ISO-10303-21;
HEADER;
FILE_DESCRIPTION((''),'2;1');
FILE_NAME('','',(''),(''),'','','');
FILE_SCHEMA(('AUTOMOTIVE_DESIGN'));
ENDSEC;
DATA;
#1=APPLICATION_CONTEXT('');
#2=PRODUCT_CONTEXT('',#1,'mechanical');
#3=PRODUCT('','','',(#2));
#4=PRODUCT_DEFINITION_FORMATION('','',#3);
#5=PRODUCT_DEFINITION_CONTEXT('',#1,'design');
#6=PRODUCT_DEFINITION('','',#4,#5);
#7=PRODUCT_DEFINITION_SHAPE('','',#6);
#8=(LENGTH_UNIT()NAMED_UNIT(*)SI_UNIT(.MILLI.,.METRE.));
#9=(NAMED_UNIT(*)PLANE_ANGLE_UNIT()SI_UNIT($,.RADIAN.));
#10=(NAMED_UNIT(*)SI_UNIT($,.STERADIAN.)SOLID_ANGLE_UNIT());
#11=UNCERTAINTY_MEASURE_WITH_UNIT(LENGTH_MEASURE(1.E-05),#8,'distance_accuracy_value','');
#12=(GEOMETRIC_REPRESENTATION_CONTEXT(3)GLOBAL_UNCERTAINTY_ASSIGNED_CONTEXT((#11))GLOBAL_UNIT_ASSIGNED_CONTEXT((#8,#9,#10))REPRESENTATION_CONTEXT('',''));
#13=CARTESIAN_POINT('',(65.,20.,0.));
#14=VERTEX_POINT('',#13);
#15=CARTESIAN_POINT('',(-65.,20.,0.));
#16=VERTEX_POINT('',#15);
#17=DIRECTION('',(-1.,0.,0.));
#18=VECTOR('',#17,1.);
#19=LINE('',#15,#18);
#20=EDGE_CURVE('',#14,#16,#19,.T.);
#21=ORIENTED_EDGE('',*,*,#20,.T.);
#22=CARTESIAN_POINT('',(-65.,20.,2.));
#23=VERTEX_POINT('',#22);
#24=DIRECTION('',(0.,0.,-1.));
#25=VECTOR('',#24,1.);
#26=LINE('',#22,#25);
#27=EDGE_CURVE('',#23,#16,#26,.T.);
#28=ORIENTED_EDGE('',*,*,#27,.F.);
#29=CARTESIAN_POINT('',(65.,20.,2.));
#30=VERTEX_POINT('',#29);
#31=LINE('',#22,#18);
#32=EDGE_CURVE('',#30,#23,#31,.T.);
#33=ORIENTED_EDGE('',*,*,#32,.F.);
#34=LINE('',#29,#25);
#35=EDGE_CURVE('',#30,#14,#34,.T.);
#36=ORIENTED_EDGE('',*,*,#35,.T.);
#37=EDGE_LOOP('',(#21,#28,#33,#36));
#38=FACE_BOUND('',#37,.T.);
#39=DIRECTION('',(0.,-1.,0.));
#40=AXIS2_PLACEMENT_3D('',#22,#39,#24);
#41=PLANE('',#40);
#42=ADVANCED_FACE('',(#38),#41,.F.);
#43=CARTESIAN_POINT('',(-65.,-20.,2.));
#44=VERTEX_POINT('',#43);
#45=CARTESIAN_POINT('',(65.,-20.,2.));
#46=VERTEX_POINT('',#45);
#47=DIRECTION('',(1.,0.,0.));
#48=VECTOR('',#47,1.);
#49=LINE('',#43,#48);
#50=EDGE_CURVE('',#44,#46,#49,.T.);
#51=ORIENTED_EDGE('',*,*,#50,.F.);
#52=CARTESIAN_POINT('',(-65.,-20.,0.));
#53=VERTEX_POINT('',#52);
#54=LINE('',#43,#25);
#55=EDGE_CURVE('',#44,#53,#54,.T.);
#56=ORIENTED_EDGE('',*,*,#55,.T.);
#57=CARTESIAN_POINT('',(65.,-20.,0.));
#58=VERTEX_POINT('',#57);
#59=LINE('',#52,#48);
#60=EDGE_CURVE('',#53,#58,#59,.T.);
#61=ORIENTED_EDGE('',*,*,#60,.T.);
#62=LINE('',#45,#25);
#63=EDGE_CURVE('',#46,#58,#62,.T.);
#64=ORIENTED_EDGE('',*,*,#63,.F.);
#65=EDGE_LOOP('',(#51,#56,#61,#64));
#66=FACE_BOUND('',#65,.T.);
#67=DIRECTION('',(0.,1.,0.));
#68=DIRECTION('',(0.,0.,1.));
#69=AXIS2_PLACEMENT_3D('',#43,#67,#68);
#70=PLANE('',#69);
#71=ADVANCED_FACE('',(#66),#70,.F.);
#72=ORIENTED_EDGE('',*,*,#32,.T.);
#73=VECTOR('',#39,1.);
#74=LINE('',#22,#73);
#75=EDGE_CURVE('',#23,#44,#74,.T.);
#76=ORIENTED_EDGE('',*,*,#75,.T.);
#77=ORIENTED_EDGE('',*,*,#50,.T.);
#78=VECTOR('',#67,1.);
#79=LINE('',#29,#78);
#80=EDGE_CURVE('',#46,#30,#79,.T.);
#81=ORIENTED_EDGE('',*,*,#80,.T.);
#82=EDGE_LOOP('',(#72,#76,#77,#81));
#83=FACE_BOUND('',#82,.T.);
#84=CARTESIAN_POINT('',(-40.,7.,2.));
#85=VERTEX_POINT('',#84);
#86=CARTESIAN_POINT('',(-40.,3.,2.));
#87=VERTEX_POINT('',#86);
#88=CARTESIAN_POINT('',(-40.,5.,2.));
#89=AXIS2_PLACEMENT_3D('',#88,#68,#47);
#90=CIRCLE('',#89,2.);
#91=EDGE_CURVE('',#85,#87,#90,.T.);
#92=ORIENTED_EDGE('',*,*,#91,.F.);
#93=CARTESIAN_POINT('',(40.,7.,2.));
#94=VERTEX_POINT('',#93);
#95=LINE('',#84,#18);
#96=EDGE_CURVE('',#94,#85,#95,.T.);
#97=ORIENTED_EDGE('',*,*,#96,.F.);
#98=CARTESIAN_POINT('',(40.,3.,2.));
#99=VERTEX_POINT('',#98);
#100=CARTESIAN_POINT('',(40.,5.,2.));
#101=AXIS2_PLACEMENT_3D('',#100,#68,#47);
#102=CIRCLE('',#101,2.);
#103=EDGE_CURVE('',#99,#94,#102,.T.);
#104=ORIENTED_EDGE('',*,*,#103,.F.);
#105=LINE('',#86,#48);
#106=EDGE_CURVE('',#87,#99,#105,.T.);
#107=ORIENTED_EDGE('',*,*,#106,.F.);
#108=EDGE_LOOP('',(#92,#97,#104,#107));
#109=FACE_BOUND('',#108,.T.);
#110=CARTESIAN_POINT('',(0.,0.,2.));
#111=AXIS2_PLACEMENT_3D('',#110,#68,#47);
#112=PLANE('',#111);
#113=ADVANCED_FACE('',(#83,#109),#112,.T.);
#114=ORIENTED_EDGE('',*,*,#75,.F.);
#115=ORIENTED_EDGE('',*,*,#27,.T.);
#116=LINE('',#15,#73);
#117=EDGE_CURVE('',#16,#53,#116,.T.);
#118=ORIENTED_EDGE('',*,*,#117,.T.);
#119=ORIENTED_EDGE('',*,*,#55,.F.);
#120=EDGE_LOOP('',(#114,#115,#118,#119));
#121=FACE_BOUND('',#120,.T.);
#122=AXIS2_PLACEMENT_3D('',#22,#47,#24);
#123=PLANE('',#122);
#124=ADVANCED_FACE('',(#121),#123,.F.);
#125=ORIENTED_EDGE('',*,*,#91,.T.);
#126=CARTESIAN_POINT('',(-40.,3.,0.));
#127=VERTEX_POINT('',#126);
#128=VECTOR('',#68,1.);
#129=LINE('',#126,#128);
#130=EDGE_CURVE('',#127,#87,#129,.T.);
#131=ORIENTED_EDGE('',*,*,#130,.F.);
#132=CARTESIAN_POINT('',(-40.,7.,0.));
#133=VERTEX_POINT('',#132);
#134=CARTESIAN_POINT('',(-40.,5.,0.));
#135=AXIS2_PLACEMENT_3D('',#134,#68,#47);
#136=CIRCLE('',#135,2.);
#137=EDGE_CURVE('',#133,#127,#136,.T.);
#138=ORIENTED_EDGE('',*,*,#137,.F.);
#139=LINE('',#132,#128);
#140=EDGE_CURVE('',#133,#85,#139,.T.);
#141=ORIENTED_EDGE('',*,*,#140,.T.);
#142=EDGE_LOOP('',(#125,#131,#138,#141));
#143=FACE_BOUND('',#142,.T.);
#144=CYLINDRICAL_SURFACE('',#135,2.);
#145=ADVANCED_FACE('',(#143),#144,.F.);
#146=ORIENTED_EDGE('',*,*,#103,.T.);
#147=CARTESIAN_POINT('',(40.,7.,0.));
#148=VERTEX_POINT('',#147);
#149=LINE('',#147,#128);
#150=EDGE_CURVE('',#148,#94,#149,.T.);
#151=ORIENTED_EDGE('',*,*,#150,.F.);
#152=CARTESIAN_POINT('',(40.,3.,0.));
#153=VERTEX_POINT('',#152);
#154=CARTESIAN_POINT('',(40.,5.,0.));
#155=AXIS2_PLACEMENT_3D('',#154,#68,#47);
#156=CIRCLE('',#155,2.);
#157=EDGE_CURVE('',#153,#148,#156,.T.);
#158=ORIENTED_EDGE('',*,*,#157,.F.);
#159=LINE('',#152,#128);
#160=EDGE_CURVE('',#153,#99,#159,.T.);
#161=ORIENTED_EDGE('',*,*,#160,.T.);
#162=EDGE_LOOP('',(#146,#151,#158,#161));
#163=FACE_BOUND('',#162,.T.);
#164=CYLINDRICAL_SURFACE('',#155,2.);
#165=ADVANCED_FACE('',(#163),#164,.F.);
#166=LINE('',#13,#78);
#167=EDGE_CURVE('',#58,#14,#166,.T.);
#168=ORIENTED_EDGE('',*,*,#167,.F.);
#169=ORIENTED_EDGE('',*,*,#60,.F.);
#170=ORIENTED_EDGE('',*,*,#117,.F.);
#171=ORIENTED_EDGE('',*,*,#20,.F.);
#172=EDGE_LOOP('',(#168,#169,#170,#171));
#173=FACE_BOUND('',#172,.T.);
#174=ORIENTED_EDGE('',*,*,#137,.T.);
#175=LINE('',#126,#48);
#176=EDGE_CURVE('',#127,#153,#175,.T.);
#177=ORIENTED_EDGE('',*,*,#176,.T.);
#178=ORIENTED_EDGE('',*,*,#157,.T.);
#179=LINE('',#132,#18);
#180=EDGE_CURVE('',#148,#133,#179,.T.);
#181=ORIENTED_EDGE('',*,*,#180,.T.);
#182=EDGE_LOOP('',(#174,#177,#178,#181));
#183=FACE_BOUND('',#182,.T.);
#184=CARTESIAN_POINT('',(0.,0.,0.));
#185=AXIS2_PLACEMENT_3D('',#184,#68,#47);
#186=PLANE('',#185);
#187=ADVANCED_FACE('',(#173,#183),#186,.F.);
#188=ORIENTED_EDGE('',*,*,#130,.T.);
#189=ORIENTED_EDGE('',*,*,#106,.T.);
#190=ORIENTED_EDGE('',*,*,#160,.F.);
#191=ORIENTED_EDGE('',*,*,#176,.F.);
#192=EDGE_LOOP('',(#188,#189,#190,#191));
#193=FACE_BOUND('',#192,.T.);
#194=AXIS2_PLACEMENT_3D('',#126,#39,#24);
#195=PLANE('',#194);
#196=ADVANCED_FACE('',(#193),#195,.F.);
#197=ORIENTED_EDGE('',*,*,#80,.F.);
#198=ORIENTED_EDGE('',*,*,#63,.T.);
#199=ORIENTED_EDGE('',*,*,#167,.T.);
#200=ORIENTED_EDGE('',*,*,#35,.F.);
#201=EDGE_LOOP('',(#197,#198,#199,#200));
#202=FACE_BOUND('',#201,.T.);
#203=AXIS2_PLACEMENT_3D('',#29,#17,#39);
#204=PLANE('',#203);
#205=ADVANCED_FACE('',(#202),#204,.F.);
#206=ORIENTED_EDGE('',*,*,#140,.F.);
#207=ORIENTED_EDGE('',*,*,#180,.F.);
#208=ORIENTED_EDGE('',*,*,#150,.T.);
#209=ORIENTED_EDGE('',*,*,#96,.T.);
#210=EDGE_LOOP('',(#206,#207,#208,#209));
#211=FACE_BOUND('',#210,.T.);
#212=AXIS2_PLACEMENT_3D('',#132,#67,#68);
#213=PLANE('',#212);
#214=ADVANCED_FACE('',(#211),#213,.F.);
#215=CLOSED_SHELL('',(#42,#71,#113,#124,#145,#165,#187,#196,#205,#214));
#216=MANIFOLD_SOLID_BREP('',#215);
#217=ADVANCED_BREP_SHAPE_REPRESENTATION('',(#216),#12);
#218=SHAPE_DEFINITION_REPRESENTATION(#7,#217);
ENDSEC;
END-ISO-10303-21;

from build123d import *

# Parameters (mm, degrees)
SKETCH1_W           = 130
SKETCH1_H           = 40
BOSS_EXTRUDE1_DEPTH = 2
CUT_EXTRUDE1_DEPTH  = 69.036754773


with BuildPart() as part:
    # Sketch1 → Boss-Extrude1 (new body)
    with BuildSketch(Plane.XY):
        Rectangle(SKETCH1_W, SKETCH1_H)
    extrude(amount=BOSS_EXTRUDE1_DEPTH)

    # Sketch2 → Cut-Extrude1 (cut, through all)
    with BuildSketch(Plane.XY.offset(2)):
        with BuildLine():
            Line((-40, 7), (40, 7))
            ThreePointArc((40, 7), (42, 5), (40, 3))
            Line((40, 3), (-40, 3))
            ThreePointArc((-40, 3), (-42, 5), (-40, 7))
        make_face()
    extrude(amount=-CUT_EXTRUDE1_DEPTH, mode=Mode.SUBTRACT)


solid = part.part
